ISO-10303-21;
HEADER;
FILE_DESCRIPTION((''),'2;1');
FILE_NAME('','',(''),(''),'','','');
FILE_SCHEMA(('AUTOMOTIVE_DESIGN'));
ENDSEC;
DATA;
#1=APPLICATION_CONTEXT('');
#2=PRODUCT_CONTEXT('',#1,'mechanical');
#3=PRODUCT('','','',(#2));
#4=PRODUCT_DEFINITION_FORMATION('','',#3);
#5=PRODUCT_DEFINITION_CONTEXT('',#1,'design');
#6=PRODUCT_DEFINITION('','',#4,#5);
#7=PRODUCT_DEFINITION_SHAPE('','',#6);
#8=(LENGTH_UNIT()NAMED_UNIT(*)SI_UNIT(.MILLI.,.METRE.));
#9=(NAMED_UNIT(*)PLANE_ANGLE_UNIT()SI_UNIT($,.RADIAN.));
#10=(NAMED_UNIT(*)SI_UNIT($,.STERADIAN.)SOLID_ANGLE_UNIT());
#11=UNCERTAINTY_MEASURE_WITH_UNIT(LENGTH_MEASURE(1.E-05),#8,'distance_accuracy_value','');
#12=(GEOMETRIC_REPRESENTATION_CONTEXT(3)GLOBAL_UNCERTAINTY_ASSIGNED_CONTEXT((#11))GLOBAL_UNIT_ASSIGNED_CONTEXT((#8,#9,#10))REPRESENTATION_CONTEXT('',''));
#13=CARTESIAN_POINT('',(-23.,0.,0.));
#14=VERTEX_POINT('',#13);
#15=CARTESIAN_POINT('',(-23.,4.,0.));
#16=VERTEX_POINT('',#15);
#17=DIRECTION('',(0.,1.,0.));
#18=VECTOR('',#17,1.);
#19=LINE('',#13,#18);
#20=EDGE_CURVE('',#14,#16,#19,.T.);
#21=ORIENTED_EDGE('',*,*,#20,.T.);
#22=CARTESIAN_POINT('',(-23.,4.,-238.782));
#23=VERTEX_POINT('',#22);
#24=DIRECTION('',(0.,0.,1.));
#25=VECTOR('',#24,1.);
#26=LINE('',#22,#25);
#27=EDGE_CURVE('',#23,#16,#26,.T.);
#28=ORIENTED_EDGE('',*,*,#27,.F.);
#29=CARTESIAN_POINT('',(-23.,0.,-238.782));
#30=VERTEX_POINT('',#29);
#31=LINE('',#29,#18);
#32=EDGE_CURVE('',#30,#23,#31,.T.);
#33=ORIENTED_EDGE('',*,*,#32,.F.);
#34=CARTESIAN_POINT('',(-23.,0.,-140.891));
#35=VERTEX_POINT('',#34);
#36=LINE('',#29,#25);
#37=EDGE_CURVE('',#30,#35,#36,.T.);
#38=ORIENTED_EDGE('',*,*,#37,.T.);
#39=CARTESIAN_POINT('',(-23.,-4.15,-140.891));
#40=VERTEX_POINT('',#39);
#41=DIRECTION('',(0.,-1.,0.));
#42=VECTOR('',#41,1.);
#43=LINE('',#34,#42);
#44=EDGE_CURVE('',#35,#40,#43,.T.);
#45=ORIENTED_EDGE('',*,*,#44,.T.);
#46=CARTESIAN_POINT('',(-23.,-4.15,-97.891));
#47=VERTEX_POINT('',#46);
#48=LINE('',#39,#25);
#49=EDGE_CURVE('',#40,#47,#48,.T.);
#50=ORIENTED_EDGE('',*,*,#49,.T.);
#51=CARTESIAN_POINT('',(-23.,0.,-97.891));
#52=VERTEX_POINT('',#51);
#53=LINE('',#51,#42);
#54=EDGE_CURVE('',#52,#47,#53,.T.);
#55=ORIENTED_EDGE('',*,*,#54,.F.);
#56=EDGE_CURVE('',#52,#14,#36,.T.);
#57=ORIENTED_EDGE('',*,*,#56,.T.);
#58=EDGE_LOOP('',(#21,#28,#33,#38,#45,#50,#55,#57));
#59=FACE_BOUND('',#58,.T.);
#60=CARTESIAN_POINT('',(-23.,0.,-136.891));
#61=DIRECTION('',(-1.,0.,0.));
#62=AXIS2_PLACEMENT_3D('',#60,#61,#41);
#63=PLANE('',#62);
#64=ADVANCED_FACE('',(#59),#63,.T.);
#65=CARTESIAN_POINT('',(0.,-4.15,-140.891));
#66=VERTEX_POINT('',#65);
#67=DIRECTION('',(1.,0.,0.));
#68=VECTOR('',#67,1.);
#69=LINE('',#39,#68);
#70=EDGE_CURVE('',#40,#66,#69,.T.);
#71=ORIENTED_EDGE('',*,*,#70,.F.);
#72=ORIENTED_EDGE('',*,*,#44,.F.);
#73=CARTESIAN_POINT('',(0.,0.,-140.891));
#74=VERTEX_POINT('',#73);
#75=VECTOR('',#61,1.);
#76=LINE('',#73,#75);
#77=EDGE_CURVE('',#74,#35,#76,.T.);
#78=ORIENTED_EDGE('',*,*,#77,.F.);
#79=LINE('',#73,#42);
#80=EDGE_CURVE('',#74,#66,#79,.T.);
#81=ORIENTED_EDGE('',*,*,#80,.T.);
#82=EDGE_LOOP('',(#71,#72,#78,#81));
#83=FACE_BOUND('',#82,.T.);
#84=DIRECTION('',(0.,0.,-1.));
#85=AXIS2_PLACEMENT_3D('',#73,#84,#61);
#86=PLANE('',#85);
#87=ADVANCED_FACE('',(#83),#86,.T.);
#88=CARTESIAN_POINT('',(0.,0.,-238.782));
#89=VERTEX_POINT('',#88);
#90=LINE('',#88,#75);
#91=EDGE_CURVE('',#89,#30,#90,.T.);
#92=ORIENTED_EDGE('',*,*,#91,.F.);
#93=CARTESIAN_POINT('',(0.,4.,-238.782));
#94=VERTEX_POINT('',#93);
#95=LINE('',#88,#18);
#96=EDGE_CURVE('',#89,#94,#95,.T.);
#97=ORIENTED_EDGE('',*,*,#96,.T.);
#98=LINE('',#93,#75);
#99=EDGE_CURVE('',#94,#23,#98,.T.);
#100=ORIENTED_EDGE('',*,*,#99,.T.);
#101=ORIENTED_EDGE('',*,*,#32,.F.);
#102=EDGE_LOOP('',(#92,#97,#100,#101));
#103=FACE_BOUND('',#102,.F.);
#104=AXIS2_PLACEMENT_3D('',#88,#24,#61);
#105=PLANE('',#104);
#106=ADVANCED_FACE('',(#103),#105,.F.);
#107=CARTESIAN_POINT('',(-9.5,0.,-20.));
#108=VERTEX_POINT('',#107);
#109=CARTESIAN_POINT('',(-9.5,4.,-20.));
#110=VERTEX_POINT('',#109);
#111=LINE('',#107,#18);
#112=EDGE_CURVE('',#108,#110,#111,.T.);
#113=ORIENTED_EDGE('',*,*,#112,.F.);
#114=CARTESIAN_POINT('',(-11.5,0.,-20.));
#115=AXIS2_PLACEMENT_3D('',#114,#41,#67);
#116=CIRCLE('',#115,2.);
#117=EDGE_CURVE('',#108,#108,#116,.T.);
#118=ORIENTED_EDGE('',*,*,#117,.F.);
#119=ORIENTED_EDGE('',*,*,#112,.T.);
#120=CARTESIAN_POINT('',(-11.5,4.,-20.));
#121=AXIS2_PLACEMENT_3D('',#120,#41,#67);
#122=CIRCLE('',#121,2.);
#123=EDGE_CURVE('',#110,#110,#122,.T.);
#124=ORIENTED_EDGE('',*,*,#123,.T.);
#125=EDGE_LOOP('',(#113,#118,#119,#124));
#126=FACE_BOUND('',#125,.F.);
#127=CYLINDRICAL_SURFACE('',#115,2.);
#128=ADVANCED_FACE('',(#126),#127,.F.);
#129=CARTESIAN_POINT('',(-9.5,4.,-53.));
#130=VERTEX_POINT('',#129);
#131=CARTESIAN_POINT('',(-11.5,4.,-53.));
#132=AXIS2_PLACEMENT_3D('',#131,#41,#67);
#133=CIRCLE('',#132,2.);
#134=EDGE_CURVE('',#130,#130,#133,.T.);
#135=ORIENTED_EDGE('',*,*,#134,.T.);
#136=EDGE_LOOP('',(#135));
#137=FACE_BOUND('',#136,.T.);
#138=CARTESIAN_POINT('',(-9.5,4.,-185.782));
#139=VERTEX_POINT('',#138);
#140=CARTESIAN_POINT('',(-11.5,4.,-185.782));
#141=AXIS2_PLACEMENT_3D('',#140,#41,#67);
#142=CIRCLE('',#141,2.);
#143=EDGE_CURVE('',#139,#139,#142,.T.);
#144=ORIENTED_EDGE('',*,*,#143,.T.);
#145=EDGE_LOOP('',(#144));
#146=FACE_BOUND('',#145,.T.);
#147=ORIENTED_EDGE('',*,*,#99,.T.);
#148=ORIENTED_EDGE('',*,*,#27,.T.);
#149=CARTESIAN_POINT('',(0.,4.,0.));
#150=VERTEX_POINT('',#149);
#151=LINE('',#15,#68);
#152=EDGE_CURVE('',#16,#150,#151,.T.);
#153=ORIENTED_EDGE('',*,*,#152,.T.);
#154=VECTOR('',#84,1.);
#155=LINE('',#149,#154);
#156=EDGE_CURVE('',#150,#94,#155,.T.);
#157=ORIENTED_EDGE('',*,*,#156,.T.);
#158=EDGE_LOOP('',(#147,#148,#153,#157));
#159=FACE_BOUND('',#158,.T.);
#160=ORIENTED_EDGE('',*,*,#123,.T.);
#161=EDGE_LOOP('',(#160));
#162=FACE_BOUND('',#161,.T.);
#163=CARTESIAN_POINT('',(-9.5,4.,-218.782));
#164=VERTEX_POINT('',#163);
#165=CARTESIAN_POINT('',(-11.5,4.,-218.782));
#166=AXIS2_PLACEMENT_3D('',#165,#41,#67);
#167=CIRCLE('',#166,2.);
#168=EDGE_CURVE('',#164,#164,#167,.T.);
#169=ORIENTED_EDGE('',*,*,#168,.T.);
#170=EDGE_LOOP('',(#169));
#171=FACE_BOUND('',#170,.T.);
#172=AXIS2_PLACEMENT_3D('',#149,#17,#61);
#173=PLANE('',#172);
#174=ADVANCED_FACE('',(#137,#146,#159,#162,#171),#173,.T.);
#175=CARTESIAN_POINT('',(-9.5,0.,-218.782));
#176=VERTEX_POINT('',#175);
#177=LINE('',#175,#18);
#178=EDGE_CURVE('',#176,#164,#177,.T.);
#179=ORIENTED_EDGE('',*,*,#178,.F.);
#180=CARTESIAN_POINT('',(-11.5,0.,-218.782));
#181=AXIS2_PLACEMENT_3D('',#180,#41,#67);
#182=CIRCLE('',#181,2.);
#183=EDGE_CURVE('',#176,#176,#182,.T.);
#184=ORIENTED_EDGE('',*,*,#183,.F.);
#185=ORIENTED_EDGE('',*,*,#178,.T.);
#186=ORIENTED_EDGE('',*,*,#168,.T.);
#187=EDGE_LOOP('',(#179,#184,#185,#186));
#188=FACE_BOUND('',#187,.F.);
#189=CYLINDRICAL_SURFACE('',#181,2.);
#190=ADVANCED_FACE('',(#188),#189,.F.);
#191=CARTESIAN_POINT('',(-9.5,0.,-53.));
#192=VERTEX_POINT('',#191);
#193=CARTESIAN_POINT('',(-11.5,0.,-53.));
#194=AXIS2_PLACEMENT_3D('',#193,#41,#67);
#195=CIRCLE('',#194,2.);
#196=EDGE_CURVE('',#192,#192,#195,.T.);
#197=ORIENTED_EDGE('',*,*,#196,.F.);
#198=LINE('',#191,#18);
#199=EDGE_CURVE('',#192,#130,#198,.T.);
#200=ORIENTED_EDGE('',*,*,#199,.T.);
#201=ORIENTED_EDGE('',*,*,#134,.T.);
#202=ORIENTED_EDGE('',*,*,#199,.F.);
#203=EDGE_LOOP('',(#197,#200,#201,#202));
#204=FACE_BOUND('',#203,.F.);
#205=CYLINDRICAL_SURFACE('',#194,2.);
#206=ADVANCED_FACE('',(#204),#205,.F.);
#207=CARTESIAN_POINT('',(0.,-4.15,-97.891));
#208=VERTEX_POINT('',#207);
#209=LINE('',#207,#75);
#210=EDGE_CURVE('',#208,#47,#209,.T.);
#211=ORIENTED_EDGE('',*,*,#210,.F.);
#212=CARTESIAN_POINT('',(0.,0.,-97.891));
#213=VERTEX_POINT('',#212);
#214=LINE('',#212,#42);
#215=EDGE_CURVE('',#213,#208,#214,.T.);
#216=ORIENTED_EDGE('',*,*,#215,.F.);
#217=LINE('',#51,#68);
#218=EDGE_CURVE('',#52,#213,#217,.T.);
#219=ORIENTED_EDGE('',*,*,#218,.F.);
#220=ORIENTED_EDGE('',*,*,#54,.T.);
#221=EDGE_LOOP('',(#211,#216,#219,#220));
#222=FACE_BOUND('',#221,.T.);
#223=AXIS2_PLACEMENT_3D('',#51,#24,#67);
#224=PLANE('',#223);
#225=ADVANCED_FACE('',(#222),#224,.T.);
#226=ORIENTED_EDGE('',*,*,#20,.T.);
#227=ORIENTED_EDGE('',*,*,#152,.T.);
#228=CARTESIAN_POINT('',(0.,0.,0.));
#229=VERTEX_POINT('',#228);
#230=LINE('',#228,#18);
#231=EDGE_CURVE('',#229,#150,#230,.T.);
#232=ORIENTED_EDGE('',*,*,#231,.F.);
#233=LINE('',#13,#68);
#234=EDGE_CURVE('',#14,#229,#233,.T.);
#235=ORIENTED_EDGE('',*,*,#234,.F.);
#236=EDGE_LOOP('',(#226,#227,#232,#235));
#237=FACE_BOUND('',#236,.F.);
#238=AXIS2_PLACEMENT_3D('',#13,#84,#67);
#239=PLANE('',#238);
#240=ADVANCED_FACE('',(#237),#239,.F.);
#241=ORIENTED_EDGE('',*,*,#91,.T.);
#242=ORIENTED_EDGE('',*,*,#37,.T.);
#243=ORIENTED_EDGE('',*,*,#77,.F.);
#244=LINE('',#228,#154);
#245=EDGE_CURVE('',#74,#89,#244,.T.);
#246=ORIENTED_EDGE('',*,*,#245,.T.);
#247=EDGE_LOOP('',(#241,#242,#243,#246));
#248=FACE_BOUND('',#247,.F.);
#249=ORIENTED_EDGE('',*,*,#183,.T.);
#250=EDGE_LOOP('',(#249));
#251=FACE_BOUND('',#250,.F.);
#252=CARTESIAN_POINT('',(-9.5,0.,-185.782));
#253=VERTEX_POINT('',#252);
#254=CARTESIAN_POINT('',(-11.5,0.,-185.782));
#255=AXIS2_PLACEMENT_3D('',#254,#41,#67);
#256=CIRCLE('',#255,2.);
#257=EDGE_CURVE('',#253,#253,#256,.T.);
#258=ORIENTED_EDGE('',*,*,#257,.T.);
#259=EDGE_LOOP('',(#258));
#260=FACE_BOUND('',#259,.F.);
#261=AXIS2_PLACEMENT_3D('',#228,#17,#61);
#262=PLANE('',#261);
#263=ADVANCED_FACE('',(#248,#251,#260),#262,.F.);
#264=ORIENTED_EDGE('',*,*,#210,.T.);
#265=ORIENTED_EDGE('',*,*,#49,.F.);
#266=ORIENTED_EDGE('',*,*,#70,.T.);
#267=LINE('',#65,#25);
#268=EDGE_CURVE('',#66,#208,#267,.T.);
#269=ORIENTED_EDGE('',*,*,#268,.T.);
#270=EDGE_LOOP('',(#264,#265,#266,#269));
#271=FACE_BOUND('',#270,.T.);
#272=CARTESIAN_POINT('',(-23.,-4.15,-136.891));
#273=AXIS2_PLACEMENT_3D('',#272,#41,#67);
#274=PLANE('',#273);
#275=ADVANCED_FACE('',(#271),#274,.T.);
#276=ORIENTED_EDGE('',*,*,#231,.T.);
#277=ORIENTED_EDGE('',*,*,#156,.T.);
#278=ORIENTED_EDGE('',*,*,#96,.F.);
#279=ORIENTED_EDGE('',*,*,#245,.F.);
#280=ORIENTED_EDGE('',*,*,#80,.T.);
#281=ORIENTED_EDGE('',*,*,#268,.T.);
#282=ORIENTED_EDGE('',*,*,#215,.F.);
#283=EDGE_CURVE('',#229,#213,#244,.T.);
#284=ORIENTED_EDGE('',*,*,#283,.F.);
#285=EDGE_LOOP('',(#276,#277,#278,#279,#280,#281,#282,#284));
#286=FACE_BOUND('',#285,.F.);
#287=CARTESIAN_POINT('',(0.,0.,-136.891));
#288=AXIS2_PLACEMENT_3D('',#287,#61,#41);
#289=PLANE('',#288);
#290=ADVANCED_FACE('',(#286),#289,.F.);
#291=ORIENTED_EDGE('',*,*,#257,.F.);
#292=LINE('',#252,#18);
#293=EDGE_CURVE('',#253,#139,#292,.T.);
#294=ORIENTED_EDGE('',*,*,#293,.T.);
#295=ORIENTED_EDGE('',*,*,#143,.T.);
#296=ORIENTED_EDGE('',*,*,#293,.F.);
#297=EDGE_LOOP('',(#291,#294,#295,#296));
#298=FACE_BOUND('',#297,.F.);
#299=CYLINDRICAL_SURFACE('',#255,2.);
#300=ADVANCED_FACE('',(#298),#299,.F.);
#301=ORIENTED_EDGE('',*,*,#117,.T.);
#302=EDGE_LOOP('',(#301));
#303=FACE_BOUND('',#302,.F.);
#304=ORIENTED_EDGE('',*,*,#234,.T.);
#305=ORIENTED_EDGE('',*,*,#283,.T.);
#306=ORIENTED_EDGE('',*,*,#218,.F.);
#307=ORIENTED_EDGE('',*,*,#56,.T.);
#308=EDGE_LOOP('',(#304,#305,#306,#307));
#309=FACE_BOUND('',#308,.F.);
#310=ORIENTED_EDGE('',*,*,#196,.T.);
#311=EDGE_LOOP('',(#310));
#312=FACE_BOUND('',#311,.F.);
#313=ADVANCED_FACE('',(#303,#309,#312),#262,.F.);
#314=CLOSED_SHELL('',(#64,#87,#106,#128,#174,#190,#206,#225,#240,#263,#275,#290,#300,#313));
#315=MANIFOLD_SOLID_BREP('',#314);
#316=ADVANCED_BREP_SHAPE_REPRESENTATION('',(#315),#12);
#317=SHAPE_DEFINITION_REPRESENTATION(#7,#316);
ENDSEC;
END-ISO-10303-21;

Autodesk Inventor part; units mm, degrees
ref_plane "YZ Plane" through (0, 0, 0) normal (1, 0, 0) x (0, 1, 0)
ref_plane "XZ Plane" through (0, 0, 0) normal (0, 1, 0) x (-1, 0, 0)
ref_plane "XY Plane" through (0, 0, 0) normal (0, 0, 1) x (1, 0, 0)
sketch "Sketch1" plane through (0, 0, 0) normal (0, 1, 0) x (-1, 0, 0)
  line L0 (23, 0) -> (0, 0)
  line L1 (0, 0) -> (0, -238.782)
  line L2 (0, -238.782) -> (23, -238.782)
  line L3 (23, -238.782) -> (23, 0)
  dimension "d2" = 238.782
extrude "Extrusion1" add sketch "Sketch1" along normal blind 4
sketch "Sketch3" plane through (0, 0, 0) normal (0, -1, 0) x (1, 0, 0)
  line L0 (0, 0) -> (0, -238.782) projected
  line L1 (0, -119.391) -> (0, -136.891)
  line L2 (0, -136.891) -> (0, -101.891)
  line L3 (0, -101.891) -> (-23, -101.891)
  line L4 (-23, -238.782) -> (-23, 0) projected
  line L5 (-23, -101.891) -> (-23, -136.891)
  line L6 (0, -136.891) -> (-23, -136.891)
  dimension "d5" = 17.5
  dimension "d6" = 35
extrude "Extrusion2" add sketch "Sketch3" along normal blind 4.15
sketch "Sketch4" plane through (0, 0, 0) normal (0, -1, 0) x (1, 0, 0)
  circle A0 centre (-11.5, -185.782) radius 2 projected
  circle A1 centre (-11.5, -218.782) radius 2 projected
  circle A2 centre (-11.5, -20) radius 2 projected
  circle A3 centre (-11.5, -53) radius 2 projected
  point P0 (0, 0)
extrude "Extrusion3" cut sketch "Sketch4" against normal up to surface (4 mm away)
sketch "Sketch5" plane through (-23, 0, -101.891) normal (0, 0, 1) x (1, 0, 0)
  line L0 (0, 0) -> (23, 0) projected
  line L1 (0, 0) -> (0, -4.15) projected
  line L2 (23, -4.15) -> (0, -4.15) projected
  line L3 (23, 0) -> (23, -4.15) projected
  point P0 (23, 0)
extrude "Extrusion4" add sketch "Sketch5" along normal blind 4
sketch "Sketch6" plane through (0, 0, -136.891) normal (0, 0, -1) x (-1, 0, 0)
  line L0 (0, 0) -> (23, 0) projected
  line L1 (0, 0) -> (0, -4.15) projected
  line L2 (23, -4.15) -> (0, -4.15) projected
  line L3 (23, 0) -> (23, -4.15) projected
extrude "Extrusion5" add sketch "Sketch6" along normal blind 4
properties part number "battery_support"
